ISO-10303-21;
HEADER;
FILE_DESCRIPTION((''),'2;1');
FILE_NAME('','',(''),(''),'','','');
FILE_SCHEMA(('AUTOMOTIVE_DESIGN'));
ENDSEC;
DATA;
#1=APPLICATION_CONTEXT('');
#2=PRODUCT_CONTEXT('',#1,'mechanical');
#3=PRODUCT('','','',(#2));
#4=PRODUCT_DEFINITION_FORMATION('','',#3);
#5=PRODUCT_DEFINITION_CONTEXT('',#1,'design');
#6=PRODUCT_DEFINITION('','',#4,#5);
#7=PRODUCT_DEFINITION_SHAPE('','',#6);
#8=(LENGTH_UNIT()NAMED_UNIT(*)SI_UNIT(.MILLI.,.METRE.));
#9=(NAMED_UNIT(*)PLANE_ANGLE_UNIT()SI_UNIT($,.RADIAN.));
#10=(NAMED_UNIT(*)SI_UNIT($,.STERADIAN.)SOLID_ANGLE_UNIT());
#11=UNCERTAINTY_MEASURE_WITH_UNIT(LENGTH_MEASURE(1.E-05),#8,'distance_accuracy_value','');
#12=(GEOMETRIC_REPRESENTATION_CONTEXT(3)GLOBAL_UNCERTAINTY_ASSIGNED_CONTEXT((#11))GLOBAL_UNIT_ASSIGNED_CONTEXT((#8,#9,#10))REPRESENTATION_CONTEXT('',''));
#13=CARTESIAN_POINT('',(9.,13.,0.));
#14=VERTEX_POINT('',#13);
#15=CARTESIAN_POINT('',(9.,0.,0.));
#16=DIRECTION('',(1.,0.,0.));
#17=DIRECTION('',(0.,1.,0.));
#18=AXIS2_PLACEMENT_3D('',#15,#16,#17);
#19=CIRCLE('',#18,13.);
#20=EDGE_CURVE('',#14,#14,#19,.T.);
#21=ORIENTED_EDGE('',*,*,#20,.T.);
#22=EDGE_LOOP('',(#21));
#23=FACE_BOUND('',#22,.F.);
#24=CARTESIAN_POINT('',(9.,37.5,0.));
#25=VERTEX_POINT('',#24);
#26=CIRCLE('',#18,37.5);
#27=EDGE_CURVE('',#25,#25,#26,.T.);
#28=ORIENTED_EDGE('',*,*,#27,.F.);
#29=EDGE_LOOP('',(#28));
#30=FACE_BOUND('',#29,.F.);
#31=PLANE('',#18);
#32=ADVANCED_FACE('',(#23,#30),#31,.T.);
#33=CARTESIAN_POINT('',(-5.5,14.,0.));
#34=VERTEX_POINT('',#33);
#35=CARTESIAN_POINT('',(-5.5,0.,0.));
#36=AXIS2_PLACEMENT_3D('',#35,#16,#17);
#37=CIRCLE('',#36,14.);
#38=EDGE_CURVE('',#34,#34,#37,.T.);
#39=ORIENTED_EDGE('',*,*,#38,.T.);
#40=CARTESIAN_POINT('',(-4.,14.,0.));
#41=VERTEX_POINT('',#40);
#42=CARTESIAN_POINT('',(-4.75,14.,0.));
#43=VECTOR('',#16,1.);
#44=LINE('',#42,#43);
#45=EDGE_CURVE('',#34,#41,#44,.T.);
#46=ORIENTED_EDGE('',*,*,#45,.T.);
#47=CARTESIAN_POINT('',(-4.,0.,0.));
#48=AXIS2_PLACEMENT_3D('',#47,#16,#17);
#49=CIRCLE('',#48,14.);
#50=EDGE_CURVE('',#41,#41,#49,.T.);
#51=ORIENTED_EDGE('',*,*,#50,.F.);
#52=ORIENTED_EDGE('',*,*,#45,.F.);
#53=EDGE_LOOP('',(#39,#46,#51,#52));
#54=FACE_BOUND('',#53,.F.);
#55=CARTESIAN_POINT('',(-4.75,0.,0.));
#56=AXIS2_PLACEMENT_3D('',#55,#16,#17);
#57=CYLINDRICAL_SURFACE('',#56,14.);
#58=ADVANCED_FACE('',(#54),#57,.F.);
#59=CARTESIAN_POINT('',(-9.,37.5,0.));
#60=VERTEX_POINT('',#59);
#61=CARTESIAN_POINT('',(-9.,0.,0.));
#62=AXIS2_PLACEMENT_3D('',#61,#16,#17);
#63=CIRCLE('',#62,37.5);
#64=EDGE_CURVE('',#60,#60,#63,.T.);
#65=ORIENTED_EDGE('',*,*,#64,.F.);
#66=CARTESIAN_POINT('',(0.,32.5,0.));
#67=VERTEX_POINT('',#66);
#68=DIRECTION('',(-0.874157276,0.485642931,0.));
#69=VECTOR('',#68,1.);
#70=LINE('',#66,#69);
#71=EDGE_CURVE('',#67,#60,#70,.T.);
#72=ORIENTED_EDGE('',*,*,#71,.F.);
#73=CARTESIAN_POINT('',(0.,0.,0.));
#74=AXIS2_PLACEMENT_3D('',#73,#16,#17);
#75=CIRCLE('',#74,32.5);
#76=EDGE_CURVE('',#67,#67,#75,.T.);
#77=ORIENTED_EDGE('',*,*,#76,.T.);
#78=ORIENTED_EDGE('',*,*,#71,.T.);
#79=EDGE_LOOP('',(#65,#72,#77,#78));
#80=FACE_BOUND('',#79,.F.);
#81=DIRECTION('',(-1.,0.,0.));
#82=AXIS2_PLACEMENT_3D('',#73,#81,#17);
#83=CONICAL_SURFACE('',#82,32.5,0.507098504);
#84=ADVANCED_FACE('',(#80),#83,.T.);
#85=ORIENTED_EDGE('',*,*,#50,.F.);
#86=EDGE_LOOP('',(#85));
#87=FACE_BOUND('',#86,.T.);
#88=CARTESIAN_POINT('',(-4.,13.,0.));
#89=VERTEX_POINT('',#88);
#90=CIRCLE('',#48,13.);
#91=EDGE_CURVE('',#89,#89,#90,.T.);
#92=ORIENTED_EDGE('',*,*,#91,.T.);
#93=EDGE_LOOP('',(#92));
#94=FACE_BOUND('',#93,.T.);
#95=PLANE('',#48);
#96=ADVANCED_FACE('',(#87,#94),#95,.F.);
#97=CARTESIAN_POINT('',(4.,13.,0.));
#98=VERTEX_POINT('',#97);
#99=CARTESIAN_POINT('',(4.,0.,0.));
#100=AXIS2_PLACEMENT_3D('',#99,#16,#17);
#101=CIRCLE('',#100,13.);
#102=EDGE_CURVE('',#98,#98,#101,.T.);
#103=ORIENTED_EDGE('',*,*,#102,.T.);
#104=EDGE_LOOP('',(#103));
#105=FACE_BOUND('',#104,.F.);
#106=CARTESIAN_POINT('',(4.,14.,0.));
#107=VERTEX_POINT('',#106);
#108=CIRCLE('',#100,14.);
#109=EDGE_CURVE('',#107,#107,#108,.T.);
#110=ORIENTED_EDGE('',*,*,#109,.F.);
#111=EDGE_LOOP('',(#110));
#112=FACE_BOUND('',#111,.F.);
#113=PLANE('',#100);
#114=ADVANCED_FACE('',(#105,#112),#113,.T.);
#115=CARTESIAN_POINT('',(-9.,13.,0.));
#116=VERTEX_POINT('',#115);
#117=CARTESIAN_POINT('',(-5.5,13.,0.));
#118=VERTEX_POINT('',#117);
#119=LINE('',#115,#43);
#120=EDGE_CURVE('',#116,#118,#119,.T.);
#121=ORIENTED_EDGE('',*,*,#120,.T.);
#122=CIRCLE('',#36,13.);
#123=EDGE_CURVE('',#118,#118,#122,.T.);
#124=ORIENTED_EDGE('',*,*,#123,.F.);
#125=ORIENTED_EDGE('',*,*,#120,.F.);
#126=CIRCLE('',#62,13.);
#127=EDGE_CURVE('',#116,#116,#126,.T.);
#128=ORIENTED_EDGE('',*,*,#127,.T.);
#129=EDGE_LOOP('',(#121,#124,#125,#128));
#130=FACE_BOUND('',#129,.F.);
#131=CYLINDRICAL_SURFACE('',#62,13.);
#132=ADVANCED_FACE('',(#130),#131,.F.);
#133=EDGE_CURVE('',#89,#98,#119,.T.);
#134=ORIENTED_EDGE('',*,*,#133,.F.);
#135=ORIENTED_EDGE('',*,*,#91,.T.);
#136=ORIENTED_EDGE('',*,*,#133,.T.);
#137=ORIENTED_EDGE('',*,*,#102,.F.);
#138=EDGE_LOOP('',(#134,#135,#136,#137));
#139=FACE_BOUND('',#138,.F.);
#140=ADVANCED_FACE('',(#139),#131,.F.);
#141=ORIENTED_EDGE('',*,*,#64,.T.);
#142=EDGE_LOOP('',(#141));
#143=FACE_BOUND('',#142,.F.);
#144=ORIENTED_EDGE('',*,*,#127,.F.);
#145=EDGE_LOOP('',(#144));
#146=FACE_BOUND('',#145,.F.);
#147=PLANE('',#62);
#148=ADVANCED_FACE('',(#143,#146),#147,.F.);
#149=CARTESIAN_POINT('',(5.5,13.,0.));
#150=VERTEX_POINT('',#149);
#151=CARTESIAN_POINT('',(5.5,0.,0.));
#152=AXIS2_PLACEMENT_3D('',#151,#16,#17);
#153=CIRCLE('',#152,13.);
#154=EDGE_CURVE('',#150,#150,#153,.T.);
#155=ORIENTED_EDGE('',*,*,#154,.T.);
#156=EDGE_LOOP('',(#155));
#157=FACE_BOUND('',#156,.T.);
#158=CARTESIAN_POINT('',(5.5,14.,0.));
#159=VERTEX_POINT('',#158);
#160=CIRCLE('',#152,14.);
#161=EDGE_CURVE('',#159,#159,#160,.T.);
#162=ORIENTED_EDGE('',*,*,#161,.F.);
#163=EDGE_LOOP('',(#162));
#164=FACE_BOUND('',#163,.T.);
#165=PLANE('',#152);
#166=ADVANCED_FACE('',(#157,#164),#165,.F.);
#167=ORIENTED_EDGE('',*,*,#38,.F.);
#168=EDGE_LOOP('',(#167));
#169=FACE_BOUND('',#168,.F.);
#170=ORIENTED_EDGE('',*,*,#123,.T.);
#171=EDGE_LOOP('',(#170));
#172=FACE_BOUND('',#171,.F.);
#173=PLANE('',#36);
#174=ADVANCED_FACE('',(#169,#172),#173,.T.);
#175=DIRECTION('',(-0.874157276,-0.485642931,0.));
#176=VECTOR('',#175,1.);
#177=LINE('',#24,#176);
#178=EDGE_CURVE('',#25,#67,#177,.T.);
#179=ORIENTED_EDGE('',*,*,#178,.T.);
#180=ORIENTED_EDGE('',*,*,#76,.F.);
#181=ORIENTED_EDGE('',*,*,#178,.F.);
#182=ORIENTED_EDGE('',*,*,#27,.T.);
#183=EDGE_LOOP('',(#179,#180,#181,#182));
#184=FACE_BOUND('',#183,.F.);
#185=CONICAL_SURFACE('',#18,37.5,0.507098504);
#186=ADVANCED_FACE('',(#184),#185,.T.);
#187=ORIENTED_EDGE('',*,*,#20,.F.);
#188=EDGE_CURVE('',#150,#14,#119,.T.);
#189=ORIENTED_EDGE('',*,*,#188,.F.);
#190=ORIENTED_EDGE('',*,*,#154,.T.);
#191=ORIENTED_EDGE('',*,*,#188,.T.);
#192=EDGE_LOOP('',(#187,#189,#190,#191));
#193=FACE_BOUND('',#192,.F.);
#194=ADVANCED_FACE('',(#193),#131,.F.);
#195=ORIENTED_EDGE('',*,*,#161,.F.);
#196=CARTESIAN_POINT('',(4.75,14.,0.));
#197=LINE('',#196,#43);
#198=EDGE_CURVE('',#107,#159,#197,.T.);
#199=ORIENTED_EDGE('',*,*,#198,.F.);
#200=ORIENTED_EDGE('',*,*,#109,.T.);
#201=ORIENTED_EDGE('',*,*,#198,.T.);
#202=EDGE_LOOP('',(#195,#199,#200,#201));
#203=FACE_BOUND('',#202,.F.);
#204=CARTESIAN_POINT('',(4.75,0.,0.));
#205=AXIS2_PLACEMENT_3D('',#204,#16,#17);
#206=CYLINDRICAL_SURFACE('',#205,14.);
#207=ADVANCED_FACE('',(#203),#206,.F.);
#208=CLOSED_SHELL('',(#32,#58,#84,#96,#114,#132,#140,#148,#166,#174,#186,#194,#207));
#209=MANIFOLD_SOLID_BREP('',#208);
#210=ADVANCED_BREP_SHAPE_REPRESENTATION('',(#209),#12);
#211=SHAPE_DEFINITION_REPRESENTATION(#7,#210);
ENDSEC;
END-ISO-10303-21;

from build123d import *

# Parameters (mm, degrees)
F2_W = 1.5
F2_H = 1


with BuildPart() as f1:
    # F0 (on Top) → F1 (revolve)
    with BuildSketch(Plane.XY):
        Polygon((-9, 37.5), (-9, 13), (9, 13), (9, 37.5), (0, 32.5), align=None)
    revolve(axis=Axis((3.716217, 0, 0), (1, 0, 0)))

    # F2 (on Top) → F3 (revolve, cut)
    with BuildSketch(Plane.XY):
        with Locations((-4.75, 13.5)):
            Rectangle(F2_W, F2_H)
        with Locations((4.75, 13.5)):
            Rectangle(F2_W, F2_H)
    revolve(axis=Axis((3.716217, 0, 0), (1, 0, 0)), mode=Mode.SUBTRACT)


solid = f1.part
